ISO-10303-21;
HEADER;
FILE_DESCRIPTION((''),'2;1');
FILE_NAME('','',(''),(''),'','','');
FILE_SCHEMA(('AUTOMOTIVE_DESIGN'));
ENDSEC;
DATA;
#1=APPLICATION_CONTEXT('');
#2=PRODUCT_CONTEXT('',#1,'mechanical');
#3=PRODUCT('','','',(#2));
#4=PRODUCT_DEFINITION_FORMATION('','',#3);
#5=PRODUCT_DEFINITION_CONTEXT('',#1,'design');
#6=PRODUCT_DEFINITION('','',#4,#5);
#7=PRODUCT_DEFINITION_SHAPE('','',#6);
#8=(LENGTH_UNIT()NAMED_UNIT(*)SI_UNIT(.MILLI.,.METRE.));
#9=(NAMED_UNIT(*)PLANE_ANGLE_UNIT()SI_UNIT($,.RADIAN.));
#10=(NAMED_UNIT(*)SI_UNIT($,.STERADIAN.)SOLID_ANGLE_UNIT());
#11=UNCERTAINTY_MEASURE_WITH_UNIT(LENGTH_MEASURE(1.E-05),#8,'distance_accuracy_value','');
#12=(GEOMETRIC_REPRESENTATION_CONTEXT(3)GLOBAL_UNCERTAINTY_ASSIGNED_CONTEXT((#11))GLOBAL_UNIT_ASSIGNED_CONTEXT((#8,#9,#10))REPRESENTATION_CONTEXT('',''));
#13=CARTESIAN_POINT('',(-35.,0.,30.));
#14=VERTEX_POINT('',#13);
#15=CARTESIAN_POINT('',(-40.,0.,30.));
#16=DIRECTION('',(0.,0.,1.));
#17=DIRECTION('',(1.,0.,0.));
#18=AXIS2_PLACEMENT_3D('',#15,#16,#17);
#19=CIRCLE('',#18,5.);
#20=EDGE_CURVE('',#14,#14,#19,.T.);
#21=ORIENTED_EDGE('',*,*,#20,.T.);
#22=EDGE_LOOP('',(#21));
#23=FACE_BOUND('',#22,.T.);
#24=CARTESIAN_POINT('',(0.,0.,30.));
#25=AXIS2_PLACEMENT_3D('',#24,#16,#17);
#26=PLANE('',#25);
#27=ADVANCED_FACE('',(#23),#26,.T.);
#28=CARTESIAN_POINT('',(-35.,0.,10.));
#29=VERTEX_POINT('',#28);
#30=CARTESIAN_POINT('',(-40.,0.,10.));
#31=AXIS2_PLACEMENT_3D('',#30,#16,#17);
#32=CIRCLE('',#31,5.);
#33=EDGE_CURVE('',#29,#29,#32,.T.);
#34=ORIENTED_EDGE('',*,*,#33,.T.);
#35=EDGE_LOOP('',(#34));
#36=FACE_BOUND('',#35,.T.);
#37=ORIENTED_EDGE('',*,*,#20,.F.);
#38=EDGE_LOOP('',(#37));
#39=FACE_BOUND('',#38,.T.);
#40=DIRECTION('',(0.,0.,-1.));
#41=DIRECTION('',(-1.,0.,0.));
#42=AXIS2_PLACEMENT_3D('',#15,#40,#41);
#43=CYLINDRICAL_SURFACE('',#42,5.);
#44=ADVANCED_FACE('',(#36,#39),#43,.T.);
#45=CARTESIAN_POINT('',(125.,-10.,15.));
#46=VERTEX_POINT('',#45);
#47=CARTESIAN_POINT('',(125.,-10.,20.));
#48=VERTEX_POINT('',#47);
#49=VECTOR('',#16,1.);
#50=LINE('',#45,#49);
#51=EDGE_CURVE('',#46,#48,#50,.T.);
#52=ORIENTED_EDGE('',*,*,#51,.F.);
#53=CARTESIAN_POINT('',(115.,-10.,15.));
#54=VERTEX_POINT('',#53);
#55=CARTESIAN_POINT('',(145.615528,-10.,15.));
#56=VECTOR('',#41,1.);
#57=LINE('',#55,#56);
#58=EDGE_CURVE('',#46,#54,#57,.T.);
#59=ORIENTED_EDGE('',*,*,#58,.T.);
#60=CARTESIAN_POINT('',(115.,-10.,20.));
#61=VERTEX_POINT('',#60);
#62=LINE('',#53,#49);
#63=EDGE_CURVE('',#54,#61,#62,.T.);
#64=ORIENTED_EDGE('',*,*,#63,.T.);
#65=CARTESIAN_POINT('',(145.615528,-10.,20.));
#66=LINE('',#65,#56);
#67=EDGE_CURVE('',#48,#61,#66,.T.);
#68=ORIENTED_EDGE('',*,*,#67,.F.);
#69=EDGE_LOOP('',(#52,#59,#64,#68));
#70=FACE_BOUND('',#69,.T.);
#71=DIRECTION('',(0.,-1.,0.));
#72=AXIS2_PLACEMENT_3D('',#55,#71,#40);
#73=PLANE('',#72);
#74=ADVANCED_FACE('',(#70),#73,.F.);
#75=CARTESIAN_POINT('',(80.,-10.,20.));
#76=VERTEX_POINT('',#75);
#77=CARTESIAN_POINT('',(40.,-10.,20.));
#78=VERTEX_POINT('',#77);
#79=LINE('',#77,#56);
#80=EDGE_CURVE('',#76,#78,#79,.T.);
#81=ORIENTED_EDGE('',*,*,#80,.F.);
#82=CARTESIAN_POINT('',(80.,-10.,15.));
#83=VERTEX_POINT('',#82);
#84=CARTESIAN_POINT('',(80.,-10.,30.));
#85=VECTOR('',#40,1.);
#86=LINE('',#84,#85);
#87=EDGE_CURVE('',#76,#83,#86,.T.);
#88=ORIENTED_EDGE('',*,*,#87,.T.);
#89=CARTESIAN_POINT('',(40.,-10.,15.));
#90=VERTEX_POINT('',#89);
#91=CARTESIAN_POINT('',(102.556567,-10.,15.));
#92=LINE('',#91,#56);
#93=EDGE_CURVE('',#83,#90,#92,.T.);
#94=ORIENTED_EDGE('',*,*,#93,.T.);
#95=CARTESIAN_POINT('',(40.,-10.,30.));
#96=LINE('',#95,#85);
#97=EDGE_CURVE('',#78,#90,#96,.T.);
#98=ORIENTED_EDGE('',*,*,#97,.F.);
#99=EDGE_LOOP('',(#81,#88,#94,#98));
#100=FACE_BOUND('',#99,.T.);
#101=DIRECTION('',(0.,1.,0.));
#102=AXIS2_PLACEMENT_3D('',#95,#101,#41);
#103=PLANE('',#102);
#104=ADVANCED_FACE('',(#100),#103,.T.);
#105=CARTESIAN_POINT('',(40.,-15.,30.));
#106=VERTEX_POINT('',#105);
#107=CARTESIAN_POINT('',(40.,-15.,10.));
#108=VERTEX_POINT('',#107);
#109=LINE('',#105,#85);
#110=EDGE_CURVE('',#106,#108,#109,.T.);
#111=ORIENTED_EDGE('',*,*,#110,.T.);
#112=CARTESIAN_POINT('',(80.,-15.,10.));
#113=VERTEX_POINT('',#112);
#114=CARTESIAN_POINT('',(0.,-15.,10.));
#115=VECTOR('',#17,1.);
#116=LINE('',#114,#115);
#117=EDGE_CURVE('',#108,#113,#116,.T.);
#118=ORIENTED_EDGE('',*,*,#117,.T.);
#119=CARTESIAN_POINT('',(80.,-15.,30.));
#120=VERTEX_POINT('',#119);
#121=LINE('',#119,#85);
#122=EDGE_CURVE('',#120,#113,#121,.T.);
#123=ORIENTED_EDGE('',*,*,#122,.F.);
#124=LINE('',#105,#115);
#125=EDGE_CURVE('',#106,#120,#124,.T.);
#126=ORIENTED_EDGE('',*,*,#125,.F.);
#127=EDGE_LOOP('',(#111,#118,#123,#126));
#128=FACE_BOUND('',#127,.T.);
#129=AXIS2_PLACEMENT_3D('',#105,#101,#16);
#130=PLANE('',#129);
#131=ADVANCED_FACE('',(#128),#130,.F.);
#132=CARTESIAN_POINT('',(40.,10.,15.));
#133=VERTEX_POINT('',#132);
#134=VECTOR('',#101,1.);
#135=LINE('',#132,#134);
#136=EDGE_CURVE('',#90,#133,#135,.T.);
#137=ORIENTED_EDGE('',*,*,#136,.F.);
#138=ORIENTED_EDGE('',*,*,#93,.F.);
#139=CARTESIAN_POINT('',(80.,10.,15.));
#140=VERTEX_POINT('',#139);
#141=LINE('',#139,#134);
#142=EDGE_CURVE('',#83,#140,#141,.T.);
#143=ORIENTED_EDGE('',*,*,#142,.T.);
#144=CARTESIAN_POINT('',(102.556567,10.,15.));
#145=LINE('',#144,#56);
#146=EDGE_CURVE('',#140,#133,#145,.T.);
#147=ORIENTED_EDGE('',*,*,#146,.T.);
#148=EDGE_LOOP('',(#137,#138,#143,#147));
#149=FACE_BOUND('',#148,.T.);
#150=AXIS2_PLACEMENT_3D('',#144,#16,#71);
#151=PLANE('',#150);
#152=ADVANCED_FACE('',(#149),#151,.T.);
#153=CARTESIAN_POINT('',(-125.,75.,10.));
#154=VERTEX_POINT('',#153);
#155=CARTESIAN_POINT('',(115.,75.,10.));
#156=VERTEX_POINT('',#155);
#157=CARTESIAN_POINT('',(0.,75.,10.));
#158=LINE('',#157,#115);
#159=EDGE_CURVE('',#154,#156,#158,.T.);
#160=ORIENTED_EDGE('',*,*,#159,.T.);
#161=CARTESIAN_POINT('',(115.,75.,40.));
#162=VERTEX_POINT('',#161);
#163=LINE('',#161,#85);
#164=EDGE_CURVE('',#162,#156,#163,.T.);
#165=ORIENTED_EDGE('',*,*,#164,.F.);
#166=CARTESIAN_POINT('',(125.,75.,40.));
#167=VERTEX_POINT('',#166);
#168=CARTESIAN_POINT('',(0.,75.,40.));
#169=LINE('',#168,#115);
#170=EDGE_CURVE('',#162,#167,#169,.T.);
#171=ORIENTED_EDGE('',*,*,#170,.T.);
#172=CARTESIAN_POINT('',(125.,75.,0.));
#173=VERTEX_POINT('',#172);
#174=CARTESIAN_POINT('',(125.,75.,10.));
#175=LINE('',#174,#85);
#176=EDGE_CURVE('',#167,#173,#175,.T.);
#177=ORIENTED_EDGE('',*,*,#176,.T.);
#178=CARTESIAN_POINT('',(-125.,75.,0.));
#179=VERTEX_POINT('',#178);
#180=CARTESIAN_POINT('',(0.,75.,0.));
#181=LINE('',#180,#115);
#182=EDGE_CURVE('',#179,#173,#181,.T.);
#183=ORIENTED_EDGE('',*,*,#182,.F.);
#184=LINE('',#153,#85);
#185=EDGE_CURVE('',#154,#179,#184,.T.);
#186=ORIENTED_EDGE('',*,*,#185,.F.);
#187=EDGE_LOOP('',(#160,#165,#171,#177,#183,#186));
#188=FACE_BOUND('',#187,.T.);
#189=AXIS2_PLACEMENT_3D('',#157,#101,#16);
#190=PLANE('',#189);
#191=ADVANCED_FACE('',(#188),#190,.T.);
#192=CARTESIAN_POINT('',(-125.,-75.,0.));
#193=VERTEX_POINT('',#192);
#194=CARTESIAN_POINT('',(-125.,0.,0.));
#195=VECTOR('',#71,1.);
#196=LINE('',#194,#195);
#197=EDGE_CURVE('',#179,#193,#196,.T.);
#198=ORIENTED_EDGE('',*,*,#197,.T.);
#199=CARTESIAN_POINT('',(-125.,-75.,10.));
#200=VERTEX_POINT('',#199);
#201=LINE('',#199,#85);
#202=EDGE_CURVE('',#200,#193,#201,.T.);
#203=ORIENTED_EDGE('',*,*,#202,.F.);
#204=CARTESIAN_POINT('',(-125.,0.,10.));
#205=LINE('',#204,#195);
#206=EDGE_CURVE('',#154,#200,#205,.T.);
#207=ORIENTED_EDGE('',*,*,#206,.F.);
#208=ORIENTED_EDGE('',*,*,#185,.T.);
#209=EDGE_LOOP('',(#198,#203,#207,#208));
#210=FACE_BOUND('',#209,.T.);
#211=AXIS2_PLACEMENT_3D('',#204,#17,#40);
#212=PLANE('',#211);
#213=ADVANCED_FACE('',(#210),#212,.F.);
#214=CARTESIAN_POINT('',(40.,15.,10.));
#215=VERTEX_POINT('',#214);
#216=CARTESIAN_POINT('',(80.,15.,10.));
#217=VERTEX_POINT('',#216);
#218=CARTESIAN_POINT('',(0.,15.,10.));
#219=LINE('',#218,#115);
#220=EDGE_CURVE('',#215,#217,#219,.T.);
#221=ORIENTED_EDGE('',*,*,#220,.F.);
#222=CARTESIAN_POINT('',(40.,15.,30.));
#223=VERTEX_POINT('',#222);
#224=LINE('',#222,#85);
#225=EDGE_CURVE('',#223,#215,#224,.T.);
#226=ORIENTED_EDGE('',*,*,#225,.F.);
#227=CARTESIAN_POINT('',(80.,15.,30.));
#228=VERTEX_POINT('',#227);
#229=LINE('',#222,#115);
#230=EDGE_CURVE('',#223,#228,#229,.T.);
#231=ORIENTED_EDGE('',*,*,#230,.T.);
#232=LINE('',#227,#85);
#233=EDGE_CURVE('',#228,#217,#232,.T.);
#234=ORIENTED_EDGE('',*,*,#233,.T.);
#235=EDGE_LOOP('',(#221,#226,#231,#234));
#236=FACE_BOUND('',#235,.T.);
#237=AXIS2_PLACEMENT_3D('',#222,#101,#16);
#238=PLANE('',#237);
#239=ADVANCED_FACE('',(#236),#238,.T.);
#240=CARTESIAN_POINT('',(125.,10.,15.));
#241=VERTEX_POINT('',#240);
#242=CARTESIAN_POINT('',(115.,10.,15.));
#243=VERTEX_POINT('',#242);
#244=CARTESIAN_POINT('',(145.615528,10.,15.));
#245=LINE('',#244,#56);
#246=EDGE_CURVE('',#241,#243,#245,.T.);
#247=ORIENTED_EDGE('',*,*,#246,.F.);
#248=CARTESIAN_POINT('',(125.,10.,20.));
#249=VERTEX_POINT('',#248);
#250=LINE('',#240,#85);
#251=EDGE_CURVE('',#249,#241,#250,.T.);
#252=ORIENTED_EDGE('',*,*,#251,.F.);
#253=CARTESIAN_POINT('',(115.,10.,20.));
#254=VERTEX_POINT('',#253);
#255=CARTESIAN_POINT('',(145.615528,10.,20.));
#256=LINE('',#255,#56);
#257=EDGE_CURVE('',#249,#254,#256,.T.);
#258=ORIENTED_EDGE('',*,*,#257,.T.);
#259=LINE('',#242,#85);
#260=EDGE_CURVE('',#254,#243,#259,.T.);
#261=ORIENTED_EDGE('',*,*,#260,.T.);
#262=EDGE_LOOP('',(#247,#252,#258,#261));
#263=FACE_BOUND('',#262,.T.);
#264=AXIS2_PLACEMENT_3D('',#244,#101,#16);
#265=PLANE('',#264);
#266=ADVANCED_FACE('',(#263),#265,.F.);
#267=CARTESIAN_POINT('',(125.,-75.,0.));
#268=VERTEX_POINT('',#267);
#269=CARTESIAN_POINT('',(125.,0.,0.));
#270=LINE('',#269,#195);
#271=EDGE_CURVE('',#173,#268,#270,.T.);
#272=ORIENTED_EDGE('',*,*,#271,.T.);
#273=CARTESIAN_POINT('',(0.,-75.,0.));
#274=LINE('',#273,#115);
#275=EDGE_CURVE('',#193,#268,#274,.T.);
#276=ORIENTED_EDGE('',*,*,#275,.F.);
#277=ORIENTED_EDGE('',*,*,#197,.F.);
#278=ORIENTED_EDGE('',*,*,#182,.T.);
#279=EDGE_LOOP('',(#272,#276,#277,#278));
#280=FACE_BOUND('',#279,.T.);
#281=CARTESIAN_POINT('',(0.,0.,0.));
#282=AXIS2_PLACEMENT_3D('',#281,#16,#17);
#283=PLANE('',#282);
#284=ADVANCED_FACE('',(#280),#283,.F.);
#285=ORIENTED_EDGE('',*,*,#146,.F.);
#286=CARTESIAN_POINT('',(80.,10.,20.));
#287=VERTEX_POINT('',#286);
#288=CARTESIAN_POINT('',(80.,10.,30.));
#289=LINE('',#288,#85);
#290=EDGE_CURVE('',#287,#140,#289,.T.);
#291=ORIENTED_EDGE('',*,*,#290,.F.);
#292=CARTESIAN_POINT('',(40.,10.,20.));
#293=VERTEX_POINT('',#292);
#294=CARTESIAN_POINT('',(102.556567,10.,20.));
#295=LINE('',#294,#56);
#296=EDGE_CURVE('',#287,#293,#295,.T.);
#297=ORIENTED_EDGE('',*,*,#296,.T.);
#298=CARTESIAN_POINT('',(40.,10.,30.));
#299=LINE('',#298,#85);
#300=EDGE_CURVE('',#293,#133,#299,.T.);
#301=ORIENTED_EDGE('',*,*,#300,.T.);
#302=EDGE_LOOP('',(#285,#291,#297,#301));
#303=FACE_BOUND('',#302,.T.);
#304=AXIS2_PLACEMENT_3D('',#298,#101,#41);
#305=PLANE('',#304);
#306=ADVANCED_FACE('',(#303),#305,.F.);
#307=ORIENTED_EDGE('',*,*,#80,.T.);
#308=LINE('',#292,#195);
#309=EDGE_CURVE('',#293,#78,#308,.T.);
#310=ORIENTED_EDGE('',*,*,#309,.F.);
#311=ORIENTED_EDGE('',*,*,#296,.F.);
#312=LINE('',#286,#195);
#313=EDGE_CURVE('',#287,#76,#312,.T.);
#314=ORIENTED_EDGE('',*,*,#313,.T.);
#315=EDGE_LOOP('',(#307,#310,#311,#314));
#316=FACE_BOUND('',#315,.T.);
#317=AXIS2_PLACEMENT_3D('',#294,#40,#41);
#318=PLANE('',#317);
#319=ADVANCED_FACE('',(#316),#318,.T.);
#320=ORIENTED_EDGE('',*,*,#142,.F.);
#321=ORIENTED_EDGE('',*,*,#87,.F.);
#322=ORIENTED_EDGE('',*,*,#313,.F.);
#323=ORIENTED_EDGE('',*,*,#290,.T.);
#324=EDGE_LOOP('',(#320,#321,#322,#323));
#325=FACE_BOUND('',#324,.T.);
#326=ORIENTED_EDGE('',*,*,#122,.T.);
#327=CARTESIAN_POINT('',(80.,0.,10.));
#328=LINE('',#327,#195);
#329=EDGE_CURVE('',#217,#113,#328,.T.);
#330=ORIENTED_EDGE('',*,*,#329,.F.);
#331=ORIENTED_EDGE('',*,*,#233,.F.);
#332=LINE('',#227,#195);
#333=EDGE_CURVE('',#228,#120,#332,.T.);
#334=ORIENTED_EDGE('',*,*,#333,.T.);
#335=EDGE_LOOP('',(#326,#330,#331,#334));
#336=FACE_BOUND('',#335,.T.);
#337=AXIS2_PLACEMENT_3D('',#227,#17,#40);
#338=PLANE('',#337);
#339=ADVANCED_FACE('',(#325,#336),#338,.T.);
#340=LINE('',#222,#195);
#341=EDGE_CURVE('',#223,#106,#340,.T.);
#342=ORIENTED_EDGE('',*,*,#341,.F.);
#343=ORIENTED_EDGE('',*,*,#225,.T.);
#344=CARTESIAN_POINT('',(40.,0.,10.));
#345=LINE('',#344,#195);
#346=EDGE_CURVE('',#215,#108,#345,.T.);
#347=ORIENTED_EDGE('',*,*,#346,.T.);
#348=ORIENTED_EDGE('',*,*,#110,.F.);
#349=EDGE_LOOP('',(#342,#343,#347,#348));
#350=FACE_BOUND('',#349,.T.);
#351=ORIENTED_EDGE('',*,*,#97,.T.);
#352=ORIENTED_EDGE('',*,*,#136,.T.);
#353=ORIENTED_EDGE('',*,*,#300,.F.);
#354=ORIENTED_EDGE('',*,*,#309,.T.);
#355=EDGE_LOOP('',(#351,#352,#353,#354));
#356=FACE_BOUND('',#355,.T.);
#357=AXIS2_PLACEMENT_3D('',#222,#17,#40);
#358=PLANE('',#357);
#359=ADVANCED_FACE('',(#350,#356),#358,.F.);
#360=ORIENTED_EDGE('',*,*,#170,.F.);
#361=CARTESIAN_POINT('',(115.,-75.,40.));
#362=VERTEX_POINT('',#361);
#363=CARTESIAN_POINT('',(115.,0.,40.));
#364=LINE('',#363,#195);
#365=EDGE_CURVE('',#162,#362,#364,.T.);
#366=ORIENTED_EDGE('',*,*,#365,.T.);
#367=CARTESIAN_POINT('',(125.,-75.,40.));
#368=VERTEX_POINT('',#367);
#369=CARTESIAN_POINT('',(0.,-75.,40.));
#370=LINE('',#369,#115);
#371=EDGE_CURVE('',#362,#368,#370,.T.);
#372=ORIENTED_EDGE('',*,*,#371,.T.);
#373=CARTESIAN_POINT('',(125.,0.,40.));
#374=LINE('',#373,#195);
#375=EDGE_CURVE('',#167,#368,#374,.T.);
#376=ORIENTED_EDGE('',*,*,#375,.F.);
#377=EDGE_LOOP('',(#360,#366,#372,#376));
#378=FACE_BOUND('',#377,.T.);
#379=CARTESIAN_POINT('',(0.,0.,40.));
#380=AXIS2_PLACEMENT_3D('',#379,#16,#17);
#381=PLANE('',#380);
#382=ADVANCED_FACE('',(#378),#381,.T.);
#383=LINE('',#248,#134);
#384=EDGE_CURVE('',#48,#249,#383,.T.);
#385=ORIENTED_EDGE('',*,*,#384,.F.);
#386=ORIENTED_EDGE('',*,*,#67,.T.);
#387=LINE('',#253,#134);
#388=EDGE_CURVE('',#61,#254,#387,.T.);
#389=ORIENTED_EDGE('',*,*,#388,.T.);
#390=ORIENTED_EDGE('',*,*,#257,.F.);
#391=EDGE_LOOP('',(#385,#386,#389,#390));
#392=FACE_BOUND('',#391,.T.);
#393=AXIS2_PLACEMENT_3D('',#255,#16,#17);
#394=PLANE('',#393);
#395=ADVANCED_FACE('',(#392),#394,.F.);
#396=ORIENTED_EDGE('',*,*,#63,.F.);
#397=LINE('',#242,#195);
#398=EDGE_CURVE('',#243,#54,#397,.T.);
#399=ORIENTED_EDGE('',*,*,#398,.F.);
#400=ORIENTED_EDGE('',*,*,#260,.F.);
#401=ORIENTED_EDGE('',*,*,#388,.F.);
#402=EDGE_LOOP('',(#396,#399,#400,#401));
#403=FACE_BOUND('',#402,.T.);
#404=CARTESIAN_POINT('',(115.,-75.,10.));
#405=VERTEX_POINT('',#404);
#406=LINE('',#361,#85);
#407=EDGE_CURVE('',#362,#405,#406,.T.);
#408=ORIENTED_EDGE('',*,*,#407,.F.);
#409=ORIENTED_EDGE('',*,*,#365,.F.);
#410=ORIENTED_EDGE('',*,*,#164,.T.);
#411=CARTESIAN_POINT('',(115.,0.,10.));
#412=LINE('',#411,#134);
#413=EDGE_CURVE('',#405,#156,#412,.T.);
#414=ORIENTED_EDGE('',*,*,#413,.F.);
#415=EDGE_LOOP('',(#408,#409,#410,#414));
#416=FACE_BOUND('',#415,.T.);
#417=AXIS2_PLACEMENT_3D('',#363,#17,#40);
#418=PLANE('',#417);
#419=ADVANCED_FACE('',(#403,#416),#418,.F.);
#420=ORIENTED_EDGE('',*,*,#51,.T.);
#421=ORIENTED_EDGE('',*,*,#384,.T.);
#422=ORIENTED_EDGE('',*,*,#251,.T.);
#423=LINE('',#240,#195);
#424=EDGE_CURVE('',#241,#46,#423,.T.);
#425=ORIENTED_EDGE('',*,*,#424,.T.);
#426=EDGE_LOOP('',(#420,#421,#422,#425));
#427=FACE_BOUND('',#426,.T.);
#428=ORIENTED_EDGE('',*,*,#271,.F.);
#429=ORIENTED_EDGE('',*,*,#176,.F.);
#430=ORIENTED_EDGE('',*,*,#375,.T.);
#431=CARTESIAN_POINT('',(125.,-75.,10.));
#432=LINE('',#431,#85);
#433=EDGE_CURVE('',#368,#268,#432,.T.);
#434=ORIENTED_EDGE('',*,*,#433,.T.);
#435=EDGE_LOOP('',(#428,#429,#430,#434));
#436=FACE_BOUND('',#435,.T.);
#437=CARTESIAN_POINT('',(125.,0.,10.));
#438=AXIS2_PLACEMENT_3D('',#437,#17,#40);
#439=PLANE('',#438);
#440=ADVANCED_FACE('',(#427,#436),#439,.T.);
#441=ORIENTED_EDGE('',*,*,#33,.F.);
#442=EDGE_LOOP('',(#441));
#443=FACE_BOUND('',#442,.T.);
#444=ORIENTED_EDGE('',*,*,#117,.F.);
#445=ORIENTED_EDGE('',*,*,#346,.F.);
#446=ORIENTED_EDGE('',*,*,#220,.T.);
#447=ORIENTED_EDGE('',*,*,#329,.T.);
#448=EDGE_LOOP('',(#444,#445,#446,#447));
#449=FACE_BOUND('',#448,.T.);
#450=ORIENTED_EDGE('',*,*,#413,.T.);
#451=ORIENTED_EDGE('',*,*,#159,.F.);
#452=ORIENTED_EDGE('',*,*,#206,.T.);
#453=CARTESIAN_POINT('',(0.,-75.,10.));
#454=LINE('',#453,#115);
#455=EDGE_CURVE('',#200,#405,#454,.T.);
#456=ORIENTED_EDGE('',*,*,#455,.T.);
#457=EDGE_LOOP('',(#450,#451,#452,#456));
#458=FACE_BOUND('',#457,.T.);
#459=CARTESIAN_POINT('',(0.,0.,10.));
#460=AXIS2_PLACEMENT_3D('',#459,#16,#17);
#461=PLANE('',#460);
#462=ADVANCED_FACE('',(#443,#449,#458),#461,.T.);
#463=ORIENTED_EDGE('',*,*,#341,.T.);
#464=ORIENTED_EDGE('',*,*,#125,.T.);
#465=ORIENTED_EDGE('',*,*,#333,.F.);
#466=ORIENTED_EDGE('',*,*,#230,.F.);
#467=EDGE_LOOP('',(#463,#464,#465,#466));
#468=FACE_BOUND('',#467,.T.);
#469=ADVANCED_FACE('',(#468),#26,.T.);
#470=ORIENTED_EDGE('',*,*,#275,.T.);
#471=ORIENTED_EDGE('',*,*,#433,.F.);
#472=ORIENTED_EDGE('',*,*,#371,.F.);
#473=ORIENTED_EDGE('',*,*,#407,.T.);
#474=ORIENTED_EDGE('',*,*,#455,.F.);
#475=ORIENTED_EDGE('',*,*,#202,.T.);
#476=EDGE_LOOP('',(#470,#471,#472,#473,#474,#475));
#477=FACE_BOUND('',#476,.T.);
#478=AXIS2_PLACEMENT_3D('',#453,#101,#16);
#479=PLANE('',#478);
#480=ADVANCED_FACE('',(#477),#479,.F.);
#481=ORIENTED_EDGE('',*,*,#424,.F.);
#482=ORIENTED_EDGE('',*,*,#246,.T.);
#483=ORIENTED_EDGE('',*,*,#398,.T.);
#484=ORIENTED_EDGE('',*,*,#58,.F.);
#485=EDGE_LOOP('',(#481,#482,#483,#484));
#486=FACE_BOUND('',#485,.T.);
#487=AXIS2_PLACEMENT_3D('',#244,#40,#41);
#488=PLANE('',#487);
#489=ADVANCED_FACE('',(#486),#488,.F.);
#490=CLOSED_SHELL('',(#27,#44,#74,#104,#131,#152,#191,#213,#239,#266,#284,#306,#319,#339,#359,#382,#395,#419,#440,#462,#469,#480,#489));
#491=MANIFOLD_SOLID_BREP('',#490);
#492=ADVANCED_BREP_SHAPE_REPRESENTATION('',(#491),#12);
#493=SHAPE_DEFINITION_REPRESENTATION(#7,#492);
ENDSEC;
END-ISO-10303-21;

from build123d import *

# Parameters (mm, degrees)
SKETCH1_W           = 250
SKETCH1_H           = 150
SKETCH1_R           = 5
SKETCH1_W_2         = 40
SKETCH1_H_2         = 5
BOSS_EXTRUDE1_DEPTH = 10
SKETCH1_5_W         = 10
SKETCH1_5_H         = 150
BOSS_EXTRUDE2_DEPTH = 40
SKETCH1_6_R         = 5
BOSS_EXTRUDE3_DEPTH = 30
SKETCH1_7_W         = 40
SKETCH1_7_H         = 5
BOSS_EXTRUDE4_DEPTH = 30
SKETCH6_W           = 5
SKETCH6_H           = 20
SKETCH6_W_2         = 10
SKETCH6_H_2         = 20.218770798
BOSS_EXTRUDE5_DEPTH = 40
SKETCH7_W           = 5
SKETCH7_H           = 20
CUT_EXTRUDE1_DEPTH  = 10


with BuildPart() as part:
    # Sketch1 → Boss-Extrude1 (new body)
    with BuildSketch(Plane.XY):
        Rectangle(SKETCH1_W, SKETCH1_H)
        with Locations((-40, 0)):
            Circle(SKETCH1_R, mode=Mode.SUBTRACT)
        with Locations((60, -12.5)):
            Rectangle(SKETCH1_W_2, SKETCH1_H_2, mode=Mode.SUBTRACT)
        with Locations((60, 12.5)):
            Rectangle(SKETCH1_W_2, SKETCH1_H_2, mode=Mode.SUBTRACT)
    extrude(amount=BOSS_EXTRUDE1_DEPTH)

    # Sketch1<5> → Boss-Extrude2 (add)
    with BuildSketch(Plane.XY):
        with Locations((120, 0)):
            Rectangle(SKETCH1_5_W, SKETCH1_5_H)
    extrude(amount=BOSS_EXTRUDE2_DEPTH)

    # Sketch1<6> → Boss-Extrude3 (add)
    with BuildSketch(Plane.XY):
        with Locations((-40, 0)):
            Circle(SKETCH1_6_R)
    extrude(amount=BOSS_EXTRUDE3_DEPTH)

    # Sketch1<7> → Boss-Extrude4 (add)
    with BuildSketch(Plane.XY):
        with Locations((60, -12.5)):
            Rectangle(SKETCH1_7_W, SKETCH1_7_H)
        with Locations((60, 12.5)):
            Rectangle(SKETCH1_7_W, SKETCH1_7_H)
    extrude(amount=BOSS_EXTRUDE4_DEPTH)

    # Sketch6 → Boss-Extrude5 (add)
    with BuildSketch(Plane.ZY.offset(-40)):
        with Locations((12.5, 0)):
            Rectangle(SKETCH6_W, SKETCH6_H)
        with Locations((25, -0.109385399)):
            Rectangle(SKETCH6_W_2, SKETCH6_H_2)
    extrude(amount=-BOSS_EXTRUDE5_DEPTH)

    # Sketch7 → Cut-Extrude1 (cut)
    with BuildSketch(Plane.ZY.offset(-115)):
        with Locations((17.5, 0)):
            Rectangle(SKETCH7_W, SKETCH7_H)
    extrude(amount=-CUT_EXTRUDE1_DEPTH, mode=Mode.SUBTRACT)


solid = part.part
